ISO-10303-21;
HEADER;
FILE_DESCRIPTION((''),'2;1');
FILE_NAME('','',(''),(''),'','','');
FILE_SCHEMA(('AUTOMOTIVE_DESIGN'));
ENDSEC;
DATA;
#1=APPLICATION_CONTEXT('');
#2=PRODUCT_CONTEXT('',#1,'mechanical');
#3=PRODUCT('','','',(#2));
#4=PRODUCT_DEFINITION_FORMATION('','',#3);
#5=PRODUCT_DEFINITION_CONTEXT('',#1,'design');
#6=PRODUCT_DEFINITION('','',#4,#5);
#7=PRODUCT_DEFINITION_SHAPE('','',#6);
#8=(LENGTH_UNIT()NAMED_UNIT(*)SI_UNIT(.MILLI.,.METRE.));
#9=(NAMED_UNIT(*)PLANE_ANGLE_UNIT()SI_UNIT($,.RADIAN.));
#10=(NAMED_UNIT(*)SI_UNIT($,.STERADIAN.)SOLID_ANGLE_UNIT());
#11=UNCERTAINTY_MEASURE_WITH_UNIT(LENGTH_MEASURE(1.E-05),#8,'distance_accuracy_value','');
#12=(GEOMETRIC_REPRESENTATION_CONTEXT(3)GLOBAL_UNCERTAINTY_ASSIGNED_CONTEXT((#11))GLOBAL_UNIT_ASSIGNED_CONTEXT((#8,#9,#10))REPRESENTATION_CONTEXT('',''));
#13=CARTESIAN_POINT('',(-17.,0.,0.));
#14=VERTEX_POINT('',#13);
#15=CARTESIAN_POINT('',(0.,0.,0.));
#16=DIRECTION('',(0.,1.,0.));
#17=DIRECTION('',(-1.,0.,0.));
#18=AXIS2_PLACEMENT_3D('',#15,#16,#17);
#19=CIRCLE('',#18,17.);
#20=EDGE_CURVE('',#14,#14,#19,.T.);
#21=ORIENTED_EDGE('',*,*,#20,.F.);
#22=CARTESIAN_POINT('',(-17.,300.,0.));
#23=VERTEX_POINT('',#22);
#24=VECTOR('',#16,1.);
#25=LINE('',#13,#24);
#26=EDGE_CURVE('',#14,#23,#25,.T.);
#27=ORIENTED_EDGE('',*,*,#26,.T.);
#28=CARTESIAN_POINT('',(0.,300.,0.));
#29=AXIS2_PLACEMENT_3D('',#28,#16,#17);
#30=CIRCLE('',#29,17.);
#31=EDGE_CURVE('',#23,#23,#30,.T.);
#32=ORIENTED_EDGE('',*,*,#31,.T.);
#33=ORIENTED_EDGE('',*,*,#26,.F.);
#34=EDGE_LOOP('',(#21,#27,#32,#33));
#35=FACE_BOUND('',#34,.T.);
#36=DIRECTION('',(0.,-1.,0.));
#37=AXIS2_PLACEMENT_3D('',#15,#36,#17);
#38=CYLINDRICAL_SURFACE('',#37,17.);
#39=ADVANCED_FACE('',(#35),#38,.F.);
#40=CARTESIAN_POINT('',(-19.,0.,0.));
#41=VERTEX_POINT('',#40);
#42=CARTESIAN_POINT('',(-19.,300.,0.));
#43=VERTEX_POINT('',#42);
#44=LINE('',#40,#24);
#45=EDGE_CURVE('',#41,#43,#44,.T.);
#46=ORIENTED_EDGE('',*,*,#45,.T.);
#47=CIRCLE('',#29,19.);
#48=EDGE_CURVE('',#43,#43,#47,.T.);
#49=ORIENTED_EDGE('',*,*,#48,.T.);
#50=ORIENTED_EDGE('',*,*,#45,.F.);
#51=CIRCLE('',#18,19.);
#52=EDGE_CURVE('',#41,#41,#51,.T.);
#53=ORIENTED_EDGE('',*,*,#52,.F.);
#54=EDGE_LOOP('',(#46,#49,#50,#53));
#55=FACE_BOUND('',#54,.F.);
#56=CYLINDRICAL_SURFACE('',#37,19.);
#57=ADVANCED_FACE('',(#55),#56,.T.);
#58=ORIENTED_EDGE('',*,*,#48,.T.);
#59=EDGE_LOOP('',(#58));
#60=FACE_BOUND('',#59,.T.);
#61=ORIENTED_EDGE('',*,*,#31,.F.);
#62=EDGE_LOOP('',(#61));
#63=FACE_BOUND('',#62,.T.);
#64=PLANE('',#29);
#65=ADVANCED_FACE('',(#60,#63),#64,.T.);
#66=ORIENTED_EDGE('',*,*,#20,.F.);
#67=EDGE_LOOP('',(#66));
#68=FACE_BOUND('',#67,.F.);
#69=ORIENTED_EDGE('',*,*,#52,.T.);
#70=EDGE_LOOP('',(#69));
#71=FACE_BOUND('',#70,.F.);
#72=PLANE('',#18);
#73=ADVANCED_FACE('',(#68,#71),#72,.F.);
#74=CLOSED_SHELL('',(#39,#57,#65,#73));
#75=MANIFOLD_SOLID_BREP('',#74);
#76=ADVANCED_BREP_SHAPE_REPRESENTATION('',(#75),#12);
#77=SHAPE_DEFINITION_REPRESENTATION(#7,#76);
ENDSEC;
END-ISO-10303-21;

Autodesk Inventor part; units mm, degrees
ref_plane "YZ Plane" through (0, 0, 0) normal (1, 0, 0) x (0, 1, 0)
ref_plane "XZ Plane" through (0, 0, 0) normal (0, 1, 0) x (-1, 0, 0)
ref_plane "XY Plane" through (0, 0, 0) normal (0, 0, 1) x (1, 0, 0)
sketch "Sketch1" plane through (0, 0, 0) normal (0, 1, 0) x (-1, 0, 0)
  circle A0 centre (0, 0) radius 19
  circle A1 centre (0, 0) radius 17
  dimension "d0" = 38
  dimension "d1" = 34
extrude "Extrusion1" add sketch "Sketch1" along normal blind 300
properties part number "carbon_fiber_38_34_300"
